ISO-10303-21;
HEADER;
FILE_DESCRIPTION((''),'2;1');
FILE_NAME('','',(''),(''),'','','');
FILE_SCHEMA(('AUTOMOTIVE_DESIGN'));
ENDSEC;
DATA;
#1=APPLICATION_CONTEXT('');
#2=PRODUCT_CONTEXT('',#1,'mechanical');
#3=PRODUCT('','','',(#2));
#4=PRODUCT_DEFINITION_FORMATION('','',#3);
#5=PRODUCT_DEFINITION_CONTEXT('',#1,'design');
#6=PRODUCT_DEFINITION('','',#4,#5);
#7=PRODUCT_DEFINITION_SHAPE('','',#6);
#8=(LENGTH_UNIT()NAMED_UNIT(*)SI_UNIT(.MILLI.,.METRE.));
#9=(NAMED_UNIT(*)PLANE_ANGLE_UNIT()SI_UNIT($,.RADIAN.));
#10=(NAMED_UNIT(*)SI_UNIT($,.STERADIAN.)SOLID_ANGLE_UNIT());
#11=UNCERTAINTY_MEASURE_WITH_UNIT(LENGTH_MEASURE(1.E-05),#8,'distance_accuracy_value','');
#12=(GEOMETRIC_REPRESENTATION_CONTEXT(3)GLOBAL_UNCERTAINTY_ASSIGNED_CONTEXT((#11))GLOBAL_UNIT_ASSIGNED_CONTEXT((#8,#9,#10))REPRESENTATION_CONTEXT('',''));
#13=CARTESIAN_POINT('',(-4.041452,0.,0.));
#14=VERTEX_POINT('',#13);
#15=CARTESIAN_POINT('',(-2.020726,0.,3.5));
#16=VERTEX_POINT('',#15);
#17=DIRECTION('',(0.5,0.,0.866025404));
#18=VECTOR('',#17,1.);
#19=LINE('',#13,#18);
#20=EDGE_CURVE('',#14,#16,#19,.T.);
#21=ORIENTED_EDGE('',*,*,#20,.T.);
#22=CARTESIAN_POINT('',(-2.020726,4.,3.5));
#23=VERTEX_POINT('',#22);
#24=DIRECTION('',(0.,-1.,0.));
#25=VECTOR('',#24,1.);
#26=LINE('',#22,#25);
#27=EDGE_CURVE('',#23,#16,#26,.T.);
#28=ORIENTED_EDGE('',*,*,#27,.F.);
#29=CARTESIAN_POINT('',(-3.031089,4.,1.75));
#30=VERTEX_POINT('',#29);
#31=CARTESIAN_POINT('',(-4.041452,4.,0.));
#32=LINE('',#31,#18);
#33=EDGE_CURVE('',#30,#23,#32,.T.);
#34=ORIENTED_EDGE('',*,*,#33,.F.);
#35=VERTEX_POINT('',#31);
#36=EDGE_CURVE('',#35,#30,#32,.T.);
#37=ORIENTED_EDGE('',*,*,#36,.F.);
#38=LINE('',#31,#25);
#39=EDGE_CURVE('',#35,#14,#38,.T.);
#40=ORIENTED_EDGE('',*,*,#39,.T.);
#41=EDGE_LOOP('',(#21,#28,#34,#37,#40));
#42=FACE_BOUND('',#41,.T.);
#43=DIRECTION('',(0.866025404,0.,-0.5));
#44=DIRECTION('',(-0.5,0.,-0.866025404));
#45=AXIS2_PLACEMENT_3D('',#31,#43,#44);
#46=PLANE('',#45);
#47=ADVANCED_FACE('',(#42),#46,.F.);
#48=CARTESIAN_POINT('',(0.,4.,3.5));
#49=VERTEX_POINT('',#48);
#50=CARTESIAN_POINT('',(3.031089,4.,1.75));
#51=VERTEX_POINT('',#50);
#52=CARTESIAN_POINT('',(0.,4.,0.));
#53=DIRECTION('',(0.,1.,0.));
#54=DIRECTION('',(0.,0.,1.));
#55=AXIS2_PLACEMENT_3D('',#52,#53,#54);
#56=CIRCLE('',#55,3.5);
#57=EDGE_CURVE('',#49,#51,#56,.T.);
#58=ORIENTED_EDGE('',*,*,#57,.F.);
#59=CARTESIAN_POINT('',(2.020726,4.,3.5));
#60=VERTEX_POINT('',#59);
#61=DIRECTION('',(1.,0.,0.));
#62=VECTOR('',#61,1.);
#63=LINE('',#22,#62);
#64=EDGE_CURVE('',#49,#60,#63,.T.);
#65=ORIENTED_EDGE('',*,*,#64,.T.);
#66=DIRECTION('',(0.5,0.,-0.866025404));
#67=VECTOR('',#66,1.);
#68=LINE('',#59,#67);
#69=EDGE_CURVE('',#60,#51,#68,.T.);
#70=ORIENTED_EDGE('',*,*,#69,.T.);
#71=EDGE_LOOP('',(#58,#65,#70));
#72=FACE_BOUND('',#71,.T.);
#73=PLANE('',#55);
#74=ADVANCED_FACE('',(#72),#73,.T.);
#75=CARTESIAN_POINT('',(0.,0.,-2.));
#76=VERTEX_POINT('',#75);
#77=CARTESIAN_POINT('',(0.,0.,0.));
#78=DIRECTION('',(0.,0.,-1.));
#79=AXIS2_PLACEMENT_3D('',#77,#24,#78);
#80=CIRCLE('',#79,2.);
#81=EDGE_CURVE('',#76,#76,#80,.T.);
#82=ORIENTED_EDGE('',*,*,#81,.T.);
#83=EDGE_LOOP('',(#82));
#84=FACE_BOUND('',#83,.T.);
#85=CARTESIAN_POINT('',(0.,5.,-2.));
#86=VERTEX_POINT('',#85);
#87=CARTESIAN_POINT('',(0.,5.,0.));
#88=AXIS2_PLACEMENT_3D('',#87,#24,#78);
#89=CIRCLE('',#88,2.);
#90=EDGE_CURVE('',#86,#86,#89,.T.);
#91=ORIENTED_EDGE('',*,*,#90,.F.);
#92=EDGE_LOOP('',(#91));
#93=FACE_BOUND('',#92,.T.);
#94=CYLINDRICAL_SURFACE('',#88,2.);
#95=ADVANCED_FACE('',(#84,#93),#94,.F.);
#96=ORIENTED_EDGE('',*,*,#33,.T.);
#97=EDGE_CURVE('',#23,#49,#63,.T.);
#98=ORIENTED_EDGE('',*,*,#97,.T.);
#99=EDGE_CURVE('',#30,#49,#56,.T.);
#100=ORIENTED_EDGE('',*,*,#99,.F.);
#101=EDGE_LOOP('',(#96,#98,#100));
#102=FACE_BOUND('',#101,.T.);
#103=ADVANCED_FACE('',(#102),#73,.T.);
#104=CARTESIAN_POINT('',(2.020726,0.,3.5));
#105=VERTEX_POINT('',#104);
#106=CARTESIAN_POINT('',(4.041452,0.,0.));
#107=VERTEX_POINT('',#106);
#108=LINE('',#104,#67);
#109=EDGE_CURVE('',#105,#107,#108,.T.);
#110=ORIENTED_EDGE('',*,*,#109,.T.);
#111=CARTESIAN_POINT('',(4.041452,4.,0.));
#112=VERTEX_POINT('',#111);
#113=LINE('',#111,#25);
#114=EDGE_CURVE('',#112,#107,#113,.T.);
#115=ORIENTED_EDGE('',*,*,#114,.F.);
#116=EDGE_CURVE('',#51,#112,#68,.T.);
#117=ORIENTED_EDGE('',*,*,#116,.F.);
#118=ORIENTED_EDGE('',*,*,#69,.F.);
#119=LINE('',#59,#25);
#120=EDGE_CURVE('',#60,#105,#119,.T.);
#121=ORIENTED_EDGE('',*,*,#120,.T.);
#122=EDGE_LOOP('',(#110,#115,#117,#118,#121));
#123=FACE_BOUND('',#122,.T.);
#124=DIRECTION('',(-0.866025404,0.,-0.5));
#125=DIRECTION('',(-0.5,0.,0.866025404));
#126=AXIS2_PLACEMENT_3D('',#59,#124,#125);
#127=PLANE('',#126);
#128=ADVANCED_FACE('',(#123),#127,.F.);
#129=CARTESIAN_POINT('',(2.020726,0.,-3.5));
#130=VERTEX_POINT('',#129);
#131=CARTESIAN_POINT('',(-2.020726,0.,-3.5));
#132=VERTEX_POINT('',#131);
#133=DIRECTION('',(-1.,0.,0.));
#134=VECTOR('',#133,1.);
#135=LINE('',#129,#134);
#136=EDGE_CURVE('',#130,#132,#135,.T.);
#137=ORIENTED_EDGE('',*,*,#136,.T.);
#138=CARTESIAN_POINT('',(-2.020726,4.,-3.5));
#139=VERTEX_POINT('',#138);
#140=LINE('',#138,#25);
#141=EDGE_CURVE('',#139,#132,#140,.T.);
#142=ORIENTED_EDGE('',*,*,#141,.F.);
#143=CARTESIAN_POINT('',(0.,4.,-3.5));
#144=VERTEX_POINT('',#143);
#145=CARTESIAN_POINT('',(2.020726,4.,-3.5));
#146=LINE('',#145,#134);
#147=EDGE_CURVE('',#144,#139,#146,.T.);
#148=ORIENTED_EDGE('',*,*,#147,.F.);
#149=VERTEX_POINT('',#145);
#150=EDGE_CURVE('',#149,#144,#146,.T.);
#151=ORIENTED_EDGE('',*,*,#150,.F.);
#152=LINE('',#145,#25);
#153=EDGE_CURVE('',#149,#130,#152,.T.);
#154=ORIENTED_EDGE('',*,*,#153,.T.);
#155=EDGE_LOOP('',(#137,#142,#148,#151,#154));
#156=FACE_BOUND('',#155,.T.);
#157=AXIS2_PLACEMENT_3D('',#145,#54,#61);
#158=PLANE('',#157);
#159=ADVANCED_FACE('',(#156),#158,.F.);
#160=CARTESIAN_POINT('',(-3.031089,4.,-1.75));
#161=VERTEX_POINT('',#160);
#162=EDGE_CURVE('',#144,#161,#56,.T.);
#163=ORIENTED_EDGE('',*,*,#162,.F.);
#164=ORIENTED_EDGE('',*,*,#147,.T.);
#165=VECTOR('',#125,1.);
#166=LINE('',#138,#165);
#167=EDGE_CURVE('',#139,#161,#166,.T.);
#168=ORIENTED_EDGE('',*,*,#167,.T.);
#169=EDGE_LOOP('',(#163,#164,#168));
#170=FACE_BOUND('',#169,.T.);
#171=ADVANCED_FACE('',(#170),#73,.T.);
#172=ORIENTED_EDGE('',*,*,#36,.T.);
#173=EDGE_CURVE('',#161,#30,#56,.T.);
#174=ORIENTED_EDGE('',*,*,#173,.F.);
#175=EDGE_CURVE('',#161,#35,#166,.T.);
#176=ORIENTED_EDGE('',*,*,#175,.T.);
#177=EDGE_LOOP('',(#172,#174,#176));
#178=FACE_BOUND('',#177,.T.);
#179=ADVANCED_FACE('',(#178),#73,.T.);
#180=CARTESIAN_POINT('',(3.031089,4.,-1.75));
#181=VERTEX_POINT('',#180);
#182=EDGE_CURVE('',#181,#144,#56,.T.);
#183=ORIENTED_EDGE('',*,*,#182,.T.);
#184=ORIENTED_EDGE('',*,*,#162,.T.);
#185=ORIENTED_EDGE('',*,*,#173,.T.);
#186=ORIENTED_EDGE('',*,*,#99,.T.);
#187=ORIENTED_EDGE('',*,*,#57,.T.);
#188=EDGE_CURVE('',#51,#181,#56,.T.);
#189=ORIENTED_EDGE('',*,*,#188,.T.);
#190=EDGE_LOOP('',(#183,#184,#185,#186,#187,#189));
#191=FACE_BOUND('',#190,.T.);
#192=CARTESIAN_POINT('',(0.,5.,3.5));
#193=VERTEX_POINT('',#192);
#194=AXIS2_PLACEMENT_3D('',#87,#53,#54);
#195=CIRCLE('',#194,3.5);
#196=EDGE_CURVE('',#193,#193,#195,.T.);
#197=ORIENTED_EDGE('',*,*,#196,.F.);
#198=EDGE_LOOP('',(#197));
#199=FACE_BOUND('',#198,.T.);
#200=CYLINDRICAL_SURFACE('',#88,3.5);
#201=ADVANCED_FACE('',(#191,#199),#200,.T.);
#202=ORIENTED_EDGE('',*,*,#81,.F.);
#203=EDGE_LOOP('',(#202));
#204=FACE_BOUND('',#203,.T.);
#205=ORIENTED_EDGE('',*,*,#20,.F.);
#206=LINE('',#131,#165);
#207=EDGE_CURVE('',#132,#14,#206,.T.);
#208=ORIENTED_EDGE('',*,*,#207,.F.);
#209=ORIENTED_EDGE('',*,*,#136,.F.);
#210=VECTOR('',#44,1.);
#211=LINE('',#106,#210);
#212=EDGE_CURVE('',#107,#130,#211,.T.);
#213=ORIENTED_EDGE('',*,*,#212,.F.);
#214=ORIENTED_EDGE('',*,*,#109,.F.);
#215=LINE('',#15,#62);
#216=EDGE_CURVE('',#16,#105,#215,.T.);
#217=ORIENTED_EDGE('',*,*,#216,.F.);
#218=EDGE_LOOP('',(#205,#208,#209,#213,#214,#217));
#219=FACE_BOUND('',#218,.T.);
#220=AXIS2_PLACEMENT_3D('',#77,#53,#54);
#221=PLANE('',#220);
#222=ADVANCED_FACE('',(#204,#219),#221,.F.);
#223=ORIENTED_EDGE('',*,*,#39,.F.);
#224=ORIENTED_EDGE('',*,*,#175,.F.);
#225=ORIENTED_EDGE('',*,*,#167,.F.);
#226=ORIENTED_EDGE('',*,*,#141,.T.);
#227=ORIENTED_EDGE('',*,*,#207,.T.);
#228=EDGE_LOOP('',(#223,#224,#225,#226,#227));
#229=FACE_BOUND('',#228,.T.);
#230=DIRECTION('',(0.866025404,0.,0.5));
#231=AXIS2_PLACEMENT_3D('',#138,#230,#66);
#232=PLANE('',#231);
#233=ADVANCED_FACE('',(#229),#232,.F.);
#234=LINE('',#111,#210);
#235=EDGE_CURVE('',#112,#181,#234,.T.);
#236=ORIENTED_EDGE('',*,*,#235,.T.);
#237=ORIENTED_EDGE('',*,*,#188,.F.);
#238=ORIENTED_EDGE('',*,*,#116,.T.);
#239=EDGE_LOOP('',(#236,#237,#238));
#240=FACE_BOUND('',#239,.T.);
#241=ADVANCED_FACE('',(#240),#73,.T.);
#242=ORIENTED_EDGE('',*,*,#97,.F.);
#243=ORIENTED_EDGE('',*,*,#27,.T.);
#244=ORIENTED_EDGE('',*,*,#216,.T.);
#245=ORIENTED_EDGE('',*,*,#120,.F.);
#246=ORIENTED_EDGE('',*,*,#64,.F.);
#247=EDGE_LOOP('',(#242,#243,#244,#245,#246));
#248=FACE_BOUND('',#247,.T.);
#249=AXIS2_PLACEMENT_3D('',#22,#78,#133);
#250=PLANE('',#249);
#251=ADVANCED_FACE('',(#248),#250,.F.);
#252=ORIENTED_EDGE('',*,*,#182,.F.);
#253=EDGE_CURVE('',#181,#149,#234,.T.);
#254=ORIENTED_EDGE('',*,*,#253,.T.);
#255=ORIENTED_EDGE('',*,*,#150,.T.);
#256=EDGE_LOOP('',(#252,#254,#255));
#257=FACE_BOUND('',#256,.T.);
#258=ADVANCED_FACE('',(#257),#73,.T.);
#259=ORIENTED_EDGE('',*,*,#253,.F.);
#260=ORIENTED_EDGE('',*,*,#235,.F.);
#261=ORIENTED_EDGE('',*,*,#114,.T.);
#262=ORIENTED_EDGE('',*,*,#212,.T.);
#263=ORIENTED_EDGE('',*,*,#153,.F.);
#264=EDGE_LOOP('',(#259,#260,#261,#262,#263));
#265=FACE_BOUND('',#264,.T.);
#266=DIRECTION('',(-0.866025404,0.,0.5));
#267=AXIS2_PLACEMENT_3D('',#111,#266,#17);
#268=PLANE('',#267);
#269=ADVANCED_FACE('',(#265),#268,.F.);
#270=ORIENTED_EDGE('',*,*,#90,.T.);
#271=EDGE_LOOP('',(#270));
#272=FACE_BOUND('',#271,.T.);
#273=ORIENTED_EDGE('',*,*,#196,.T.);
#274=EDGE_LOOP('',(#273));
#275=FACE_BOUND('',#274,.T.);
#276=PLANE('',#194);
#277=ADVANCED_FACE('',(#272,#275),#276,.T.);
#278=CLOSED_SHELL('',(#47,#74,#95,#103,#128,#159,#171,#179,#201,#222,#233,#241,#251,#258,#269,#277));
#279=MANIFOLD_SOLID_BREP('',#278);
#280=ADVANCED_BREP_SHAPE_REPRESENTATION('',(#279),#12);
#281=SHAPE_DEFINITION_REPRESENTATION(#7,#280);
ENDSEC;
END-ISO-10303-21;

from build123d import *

# Parameters (mm, degrees)
EXTRUDE_1_DEPTH     = 4
SKETCH_2_R          = 3.5
EXTRUDE_2_DEPTH     = 1
SKETCH_3_R          = 2
CUT_EXTRUDE_1_DEPTH = 8.320063752


with BuildPart() as part:
    # 草图1 → 凸台-拉伸1 (new body)
    with BuildSketch(Plane(origin=(0, 0, 0), x_dir=(1, 0, 0), z_dir=(0, 1, 0))):
        Polygon((4.041451884, 0), (2.020725942, 3.5), (-2.020725942, 3.5), (-4.041451884, 0), (-2.020725942, -3.5), (2.020725942, -3.5), align=None)
    extrude(amount=EXTRUDE_1_DEPTH)

    # 草图2 → 凸台-拉伸2 (add)
    with BuildSketch(Plane(origin=(0, 4, 0), x_dir=(1, 0, 0), z_dir=(0, 1, 0))):
        Circle(SKETCH_2_R)
    extrude(amount=EXTRUDE_2_DEPTH)

    # 草图3 → 切除-拉伸1 (cut, through all)
    with BuildSketch(Plane.XZ):
        Circle(SKETCH_3_R)
    extrude(amount=-CUT_EXTRUDE_1_DEPTH, mode=Mode.SUBTRACT)


solid = part.part
